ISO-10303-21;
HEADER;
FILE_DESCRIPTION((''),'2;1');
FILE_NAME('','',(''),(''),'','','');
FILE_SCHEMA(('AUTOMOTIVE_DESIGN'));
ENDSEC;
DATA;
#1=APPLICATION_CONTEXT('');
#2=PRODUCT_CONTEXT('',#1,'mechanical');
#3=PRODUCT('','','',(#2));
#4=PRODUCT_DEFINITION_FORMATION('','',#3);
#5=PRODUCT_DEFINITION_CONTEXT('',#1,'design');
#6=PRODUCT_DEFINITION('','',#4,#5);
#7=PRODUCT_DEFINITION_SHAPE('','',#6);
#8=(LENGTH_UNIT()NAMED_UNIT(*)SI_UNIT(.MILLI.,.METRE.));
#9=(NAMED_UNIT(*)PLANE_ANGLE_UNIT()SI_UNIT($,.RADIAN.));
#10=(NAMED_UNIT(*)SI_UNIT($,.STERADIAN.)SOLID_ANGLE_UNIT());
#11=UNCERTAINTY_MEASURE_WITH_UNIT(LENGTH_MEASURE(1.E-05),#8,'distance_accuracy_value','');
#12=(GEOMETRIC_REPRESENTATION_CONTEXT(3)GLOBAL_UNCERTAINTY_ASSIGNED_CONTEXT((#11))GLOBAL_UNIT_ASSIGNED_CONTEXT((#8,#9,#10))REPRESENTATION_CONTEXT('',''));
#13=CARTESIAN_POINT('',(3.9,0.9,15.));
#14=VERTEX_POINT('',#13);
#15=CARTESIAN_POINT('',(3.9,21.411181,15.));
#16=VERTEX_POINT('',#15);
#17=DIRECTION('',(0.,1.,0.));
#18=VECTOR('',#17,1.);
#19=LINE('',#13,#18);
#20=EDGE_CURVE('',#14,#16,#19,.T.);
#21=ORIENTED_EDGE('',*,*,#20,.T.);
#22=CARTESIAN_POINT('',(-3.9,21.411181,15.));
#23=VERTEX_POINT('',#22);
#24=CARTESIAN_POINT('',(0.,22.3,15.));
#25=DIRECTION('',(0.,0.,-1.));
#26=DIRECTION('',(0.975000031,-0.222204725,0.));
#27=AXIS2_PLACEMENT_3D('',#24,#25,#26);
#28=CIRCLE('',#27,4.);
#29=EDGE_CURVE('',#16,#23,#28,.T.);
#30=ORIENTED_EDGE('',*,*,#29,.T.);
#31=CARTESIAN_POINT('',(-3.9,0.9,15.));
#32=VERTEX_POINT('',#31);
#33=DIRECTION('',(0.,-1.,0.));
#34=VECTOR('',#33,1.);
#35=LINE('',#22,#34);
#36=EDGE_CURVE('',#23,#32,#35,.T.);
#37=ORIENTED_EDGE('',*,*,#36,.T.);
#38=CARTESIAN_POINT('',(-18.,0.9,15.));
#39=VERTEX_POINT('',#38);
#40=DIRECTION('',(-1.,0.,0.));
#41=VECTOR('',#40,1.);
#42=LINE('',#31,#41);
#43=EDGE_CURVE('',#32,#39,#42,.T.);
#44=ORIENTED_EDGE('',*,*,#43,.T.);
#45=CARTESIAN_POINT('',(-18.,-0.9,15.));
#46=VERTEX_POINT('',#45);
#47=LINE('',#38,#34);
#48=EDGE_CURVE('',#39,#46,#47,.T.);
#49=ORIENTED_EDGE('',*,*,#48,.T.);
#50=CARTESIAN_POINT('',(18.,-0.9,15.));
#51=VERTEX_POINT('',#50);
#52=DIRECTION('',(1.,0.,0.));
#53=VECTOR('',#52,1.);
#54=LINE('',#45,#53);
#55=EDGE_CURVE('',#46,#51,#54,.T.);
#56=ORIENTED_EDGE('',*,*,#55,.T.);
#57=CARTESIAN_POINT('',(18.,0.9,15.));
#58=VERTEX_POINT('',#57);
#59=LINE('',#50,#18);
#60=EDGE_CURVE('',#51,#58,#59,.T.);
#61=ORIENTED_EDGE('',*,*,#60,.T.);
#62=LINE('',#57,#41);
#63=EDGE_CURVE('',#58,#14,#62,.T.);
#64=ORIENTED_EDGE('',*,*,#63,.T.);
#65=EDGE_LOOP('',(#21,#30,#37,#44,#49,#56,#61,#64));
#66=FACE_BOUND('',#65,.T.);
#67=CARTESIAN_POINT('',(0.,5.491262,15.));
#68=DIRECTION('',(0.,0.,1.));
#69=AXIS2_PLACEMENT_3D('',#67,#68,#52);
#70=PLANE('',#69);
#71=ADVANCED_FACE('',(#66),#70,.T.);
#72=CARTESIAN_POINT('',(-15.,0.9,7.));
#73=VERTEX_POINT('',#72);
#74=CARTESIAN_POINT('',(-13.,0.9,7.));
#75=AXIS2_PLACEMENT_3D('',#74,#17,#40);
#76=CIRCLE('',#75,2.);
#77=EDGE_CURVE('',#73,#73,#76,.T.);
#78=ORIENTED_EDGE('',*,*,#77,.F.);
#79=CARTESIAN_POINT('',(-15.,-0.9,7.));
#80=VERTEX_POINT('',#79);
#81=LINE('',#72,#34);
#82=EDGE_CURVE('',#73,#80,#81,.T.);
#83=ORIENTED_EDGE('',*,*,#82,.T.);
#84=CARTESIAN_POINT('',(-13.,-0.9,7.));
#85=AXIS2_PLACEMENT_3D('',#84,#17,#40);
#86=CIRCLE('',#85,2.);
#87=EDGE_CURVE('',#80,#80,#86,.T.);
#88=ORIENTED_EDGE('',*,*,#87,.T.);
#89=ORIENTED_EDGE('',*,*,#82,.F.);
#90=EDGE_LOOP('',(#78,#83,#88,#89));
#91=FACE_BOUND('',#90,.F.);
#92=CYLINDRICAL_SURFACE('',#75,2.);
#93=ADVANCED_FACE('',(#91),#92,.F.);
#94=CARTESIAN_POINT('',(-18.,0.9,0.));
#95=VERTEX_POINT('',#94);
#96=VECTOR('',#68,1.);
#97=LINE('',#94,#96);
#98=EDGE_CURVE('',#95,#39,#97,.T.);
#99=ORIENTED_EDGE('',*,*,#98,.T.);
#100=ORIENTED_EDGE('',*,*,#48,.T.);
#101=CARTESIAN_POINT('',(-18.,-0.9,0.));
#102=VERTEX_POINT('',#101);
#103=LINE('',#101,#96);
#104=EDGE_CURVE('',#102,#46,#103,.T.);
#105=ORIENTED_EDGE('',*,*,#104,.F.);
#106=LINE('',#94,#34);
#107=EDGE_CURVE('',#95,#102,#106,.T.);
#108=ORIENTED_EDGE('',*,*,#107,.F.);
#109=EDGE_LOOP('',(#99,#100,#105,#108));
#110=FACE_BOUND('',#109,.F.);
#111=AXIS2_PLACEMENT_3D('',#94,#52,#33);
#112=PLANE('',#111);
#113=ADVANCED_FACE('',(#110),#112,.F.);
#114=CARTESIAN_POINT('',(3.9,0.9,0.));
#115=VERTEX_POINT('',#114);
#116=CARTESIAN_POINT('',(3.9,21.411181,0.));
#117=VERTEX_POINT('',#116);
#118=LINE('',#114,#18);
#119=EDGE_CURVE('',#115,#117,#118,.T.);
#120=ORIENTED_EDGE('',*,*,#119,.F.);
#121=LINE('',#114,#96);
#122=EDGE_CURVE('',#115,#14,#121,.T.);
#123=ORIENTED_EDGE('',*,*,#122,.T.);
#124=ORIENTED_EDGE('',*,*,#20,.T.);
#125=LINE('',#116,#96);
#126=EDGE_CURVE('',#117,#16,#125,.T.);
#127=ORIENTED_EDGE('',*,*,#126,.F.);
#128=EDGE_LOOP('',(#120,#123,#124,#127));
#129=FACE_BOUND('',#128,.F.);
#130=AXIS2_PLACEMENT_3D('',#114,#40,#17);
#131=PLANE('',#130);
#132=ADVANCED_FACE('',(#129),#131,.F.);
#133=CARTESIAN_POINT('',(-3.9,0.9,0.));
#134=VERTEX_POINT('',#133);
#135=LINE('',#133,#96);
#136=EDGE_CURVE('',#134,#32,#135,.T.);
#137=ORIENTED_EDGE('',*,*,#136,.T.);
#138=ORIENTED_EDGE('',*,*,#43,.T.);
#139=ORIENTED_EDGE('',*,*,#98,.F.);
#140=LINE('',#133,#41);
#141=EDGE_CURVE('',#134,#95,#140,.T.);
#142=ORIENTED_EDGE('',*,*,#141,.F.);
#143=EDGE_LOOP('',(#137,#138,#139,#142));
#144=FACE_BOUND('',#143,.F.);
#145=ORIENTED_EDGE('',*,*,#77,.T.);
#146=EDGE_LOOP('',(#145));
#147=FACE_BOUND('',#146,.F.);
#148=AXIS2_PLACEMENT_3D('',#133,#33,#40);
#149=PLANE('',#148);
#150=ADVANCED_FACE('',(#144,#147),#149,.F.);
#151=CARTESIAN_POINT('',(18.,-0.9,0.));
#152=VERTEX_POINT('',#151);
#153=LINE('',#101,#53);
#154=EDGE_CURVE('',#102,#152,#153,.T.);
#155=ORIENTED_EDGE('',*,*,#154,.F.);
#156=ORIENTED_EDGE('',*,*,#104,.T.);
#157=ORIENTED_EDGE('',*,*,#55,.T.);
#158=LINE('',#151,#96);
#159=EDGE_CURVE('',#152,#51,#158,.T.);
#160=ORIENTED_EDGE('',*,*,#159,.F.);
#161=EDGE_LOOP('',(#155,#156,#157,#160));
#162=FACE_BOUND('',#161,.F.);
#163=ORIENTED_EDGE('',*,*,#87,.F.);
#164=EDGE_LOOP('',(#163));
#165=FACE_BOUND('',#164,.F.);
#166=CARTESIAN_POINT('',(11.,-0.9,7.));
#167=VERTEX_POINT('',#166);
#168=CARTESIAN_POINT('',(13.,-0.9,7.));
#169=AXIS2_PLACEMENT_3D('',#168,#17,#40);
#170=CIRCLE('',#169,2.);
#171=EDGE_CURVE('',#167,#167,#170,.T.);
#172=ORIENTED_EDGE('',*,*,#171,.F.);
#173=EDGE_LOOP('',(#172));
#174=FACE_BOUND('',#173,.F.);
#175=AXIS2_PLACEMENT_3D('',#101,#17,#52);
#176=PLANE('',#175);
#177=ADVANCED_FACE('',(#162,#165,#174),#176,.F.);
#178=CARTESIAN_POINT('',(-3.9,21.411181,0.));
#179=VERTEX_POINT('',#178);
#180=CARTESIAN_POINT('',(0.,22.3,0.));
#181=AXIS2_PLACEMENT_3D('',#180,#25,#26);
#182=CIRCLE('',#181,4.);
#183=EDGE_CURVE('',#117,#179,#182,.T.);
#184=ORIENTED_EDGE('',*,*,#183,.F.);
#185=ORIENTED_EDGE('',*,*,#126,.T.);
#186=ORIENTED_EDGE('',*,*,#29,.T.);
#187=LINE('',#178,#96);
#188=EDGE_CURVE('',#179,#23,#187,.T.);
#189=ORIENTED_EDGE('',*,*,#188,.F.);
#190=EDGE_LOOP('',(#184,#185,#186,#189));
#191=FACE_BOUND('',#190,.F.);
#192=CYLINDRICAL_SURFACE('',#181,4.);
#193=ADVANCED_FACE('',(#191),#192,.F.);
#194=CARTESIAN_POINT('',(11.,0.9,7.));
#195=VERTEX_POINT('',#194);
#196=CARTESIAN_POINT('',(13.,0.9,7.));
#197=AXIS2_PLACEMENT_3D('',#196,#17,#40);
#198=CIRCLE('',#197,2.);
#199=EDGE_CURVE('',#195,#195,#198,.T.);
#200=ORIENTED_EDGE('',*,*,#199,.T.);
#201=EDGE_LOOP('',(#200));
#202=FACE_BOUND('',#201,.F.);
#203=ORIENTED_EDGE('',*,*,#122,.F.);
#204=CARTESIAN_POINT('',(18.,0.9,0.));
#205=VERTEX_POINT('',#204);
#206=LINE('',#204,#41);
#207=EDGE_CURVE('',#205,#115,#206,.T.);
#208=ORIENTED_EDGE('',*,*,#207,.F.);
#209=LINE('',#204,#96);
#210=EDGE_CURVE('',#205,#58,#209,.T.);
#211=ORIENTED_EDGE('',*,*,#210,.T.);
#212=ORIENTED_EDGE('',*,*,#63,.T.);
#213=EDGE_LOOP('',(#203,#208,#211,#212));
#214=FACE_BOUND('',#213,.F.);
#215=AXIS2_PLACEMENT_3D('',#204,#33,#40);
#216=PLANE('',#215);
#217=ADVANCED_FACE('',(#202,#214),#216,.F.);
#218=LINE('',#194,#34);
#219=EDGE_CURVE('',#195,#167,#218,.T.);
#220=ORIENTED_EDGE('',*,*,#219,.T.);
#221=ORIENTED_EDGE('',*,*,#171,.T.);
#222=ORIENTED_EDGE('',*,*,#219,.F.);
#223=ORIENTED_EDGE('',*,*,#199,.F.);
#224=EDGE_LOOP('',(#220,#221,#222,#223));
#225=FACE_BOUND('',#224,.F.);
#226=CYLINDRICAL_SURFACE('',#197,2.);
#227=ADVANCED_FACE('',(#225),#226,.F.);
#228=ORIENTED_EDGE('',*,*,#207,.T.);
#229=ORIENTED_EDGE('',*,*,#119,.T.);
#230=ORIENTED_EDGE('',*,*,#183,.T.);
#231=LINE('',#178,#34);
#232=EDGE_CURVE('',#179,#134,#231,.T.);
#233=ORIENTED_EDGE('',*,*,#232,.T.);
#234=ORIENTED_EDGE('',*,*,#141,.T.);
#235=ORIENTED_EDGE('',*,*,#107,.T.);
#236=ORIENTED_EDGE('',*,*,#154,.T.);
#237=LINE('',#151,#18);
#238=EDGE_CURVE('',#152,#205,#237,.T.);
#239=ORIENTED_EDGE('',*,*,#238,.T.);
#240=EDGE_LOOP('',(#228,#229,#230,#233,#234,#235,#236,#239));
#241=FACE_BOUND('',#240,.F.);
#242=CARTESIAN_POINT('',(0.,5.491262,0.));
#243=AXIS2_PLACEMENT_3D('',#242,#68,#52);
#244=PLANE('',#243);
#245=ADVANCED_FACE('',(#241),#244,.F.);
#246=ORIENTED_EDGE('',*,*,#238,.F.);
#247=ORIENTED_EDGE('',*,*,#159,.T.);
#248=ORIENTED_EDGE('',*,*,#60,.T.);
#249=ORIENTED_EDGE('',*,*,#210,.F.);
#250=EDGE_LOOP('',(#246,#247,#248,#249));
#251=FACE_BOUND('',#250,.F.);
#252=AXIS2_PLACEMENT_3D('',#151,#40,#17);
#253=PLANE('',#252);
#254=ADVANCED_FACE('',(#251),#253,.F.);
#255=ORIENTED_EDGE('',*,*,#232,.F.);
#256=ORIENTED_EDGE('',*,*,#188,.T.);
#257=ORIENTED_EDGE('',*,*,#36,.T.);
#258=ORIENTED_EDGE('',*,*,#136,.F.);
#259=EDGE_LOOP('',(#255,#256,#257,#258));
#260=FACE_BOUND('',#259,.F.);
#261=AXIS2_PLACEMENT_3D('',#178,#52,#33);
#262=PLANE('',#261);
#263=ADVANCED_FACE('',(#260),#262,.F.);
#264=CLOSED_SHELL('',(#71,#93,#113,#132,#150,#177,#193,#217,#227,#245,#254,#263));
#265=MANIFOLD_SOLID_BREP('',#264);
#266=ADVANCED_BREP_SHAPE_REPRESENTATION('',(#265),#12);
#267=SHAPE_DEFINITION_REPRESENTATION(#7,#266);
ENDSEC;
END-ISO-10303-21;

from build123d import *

# Parameters (mm, degrees)
F1_DEPTH = 15
F2_R     = 2
F3_DEPTH = 3


with BuildPart() as f1:
    # F0 (on Top) → F1 (new body)
    with BuildSketch(Plane.XY):
        with BuildLine():
            Line((-18, 0.9), (-18, -0.9))
            Line((-18, -0.9), (18, -0.9))
            Line((18, -0.9), (18, 0.9))
            Line((18, 0.9), (3.9, 0.9))
            Line((3.9, 0.9), (3.9, 21.411181))
            ThreePointArc((3.9, 21.411181), (0, 18.3), (-3.9, 21.411181))
            Line((-3.9, 21.411181), (-3.9, 0.9))
            Line((-3.9, 0.9), (-18, 0.9))
        make_face()
    extrude(amount=F1_DEPTH)

    # F2 (on face) → F3 (cut)
    with BuildSketch(Plane(origin=(0, 0.9, 0), x_dir=(-1, 0, 0), z_dir=(0, 1, 0))):
        with Locations((-13, 7)):
            Circle(F2_R)
        with Locations((13, 7)):
            Circle(F2_R)
    extrude(amount=-F3_DEPTH, mode=Mode.SUBTRACT)


solid = f1.part
